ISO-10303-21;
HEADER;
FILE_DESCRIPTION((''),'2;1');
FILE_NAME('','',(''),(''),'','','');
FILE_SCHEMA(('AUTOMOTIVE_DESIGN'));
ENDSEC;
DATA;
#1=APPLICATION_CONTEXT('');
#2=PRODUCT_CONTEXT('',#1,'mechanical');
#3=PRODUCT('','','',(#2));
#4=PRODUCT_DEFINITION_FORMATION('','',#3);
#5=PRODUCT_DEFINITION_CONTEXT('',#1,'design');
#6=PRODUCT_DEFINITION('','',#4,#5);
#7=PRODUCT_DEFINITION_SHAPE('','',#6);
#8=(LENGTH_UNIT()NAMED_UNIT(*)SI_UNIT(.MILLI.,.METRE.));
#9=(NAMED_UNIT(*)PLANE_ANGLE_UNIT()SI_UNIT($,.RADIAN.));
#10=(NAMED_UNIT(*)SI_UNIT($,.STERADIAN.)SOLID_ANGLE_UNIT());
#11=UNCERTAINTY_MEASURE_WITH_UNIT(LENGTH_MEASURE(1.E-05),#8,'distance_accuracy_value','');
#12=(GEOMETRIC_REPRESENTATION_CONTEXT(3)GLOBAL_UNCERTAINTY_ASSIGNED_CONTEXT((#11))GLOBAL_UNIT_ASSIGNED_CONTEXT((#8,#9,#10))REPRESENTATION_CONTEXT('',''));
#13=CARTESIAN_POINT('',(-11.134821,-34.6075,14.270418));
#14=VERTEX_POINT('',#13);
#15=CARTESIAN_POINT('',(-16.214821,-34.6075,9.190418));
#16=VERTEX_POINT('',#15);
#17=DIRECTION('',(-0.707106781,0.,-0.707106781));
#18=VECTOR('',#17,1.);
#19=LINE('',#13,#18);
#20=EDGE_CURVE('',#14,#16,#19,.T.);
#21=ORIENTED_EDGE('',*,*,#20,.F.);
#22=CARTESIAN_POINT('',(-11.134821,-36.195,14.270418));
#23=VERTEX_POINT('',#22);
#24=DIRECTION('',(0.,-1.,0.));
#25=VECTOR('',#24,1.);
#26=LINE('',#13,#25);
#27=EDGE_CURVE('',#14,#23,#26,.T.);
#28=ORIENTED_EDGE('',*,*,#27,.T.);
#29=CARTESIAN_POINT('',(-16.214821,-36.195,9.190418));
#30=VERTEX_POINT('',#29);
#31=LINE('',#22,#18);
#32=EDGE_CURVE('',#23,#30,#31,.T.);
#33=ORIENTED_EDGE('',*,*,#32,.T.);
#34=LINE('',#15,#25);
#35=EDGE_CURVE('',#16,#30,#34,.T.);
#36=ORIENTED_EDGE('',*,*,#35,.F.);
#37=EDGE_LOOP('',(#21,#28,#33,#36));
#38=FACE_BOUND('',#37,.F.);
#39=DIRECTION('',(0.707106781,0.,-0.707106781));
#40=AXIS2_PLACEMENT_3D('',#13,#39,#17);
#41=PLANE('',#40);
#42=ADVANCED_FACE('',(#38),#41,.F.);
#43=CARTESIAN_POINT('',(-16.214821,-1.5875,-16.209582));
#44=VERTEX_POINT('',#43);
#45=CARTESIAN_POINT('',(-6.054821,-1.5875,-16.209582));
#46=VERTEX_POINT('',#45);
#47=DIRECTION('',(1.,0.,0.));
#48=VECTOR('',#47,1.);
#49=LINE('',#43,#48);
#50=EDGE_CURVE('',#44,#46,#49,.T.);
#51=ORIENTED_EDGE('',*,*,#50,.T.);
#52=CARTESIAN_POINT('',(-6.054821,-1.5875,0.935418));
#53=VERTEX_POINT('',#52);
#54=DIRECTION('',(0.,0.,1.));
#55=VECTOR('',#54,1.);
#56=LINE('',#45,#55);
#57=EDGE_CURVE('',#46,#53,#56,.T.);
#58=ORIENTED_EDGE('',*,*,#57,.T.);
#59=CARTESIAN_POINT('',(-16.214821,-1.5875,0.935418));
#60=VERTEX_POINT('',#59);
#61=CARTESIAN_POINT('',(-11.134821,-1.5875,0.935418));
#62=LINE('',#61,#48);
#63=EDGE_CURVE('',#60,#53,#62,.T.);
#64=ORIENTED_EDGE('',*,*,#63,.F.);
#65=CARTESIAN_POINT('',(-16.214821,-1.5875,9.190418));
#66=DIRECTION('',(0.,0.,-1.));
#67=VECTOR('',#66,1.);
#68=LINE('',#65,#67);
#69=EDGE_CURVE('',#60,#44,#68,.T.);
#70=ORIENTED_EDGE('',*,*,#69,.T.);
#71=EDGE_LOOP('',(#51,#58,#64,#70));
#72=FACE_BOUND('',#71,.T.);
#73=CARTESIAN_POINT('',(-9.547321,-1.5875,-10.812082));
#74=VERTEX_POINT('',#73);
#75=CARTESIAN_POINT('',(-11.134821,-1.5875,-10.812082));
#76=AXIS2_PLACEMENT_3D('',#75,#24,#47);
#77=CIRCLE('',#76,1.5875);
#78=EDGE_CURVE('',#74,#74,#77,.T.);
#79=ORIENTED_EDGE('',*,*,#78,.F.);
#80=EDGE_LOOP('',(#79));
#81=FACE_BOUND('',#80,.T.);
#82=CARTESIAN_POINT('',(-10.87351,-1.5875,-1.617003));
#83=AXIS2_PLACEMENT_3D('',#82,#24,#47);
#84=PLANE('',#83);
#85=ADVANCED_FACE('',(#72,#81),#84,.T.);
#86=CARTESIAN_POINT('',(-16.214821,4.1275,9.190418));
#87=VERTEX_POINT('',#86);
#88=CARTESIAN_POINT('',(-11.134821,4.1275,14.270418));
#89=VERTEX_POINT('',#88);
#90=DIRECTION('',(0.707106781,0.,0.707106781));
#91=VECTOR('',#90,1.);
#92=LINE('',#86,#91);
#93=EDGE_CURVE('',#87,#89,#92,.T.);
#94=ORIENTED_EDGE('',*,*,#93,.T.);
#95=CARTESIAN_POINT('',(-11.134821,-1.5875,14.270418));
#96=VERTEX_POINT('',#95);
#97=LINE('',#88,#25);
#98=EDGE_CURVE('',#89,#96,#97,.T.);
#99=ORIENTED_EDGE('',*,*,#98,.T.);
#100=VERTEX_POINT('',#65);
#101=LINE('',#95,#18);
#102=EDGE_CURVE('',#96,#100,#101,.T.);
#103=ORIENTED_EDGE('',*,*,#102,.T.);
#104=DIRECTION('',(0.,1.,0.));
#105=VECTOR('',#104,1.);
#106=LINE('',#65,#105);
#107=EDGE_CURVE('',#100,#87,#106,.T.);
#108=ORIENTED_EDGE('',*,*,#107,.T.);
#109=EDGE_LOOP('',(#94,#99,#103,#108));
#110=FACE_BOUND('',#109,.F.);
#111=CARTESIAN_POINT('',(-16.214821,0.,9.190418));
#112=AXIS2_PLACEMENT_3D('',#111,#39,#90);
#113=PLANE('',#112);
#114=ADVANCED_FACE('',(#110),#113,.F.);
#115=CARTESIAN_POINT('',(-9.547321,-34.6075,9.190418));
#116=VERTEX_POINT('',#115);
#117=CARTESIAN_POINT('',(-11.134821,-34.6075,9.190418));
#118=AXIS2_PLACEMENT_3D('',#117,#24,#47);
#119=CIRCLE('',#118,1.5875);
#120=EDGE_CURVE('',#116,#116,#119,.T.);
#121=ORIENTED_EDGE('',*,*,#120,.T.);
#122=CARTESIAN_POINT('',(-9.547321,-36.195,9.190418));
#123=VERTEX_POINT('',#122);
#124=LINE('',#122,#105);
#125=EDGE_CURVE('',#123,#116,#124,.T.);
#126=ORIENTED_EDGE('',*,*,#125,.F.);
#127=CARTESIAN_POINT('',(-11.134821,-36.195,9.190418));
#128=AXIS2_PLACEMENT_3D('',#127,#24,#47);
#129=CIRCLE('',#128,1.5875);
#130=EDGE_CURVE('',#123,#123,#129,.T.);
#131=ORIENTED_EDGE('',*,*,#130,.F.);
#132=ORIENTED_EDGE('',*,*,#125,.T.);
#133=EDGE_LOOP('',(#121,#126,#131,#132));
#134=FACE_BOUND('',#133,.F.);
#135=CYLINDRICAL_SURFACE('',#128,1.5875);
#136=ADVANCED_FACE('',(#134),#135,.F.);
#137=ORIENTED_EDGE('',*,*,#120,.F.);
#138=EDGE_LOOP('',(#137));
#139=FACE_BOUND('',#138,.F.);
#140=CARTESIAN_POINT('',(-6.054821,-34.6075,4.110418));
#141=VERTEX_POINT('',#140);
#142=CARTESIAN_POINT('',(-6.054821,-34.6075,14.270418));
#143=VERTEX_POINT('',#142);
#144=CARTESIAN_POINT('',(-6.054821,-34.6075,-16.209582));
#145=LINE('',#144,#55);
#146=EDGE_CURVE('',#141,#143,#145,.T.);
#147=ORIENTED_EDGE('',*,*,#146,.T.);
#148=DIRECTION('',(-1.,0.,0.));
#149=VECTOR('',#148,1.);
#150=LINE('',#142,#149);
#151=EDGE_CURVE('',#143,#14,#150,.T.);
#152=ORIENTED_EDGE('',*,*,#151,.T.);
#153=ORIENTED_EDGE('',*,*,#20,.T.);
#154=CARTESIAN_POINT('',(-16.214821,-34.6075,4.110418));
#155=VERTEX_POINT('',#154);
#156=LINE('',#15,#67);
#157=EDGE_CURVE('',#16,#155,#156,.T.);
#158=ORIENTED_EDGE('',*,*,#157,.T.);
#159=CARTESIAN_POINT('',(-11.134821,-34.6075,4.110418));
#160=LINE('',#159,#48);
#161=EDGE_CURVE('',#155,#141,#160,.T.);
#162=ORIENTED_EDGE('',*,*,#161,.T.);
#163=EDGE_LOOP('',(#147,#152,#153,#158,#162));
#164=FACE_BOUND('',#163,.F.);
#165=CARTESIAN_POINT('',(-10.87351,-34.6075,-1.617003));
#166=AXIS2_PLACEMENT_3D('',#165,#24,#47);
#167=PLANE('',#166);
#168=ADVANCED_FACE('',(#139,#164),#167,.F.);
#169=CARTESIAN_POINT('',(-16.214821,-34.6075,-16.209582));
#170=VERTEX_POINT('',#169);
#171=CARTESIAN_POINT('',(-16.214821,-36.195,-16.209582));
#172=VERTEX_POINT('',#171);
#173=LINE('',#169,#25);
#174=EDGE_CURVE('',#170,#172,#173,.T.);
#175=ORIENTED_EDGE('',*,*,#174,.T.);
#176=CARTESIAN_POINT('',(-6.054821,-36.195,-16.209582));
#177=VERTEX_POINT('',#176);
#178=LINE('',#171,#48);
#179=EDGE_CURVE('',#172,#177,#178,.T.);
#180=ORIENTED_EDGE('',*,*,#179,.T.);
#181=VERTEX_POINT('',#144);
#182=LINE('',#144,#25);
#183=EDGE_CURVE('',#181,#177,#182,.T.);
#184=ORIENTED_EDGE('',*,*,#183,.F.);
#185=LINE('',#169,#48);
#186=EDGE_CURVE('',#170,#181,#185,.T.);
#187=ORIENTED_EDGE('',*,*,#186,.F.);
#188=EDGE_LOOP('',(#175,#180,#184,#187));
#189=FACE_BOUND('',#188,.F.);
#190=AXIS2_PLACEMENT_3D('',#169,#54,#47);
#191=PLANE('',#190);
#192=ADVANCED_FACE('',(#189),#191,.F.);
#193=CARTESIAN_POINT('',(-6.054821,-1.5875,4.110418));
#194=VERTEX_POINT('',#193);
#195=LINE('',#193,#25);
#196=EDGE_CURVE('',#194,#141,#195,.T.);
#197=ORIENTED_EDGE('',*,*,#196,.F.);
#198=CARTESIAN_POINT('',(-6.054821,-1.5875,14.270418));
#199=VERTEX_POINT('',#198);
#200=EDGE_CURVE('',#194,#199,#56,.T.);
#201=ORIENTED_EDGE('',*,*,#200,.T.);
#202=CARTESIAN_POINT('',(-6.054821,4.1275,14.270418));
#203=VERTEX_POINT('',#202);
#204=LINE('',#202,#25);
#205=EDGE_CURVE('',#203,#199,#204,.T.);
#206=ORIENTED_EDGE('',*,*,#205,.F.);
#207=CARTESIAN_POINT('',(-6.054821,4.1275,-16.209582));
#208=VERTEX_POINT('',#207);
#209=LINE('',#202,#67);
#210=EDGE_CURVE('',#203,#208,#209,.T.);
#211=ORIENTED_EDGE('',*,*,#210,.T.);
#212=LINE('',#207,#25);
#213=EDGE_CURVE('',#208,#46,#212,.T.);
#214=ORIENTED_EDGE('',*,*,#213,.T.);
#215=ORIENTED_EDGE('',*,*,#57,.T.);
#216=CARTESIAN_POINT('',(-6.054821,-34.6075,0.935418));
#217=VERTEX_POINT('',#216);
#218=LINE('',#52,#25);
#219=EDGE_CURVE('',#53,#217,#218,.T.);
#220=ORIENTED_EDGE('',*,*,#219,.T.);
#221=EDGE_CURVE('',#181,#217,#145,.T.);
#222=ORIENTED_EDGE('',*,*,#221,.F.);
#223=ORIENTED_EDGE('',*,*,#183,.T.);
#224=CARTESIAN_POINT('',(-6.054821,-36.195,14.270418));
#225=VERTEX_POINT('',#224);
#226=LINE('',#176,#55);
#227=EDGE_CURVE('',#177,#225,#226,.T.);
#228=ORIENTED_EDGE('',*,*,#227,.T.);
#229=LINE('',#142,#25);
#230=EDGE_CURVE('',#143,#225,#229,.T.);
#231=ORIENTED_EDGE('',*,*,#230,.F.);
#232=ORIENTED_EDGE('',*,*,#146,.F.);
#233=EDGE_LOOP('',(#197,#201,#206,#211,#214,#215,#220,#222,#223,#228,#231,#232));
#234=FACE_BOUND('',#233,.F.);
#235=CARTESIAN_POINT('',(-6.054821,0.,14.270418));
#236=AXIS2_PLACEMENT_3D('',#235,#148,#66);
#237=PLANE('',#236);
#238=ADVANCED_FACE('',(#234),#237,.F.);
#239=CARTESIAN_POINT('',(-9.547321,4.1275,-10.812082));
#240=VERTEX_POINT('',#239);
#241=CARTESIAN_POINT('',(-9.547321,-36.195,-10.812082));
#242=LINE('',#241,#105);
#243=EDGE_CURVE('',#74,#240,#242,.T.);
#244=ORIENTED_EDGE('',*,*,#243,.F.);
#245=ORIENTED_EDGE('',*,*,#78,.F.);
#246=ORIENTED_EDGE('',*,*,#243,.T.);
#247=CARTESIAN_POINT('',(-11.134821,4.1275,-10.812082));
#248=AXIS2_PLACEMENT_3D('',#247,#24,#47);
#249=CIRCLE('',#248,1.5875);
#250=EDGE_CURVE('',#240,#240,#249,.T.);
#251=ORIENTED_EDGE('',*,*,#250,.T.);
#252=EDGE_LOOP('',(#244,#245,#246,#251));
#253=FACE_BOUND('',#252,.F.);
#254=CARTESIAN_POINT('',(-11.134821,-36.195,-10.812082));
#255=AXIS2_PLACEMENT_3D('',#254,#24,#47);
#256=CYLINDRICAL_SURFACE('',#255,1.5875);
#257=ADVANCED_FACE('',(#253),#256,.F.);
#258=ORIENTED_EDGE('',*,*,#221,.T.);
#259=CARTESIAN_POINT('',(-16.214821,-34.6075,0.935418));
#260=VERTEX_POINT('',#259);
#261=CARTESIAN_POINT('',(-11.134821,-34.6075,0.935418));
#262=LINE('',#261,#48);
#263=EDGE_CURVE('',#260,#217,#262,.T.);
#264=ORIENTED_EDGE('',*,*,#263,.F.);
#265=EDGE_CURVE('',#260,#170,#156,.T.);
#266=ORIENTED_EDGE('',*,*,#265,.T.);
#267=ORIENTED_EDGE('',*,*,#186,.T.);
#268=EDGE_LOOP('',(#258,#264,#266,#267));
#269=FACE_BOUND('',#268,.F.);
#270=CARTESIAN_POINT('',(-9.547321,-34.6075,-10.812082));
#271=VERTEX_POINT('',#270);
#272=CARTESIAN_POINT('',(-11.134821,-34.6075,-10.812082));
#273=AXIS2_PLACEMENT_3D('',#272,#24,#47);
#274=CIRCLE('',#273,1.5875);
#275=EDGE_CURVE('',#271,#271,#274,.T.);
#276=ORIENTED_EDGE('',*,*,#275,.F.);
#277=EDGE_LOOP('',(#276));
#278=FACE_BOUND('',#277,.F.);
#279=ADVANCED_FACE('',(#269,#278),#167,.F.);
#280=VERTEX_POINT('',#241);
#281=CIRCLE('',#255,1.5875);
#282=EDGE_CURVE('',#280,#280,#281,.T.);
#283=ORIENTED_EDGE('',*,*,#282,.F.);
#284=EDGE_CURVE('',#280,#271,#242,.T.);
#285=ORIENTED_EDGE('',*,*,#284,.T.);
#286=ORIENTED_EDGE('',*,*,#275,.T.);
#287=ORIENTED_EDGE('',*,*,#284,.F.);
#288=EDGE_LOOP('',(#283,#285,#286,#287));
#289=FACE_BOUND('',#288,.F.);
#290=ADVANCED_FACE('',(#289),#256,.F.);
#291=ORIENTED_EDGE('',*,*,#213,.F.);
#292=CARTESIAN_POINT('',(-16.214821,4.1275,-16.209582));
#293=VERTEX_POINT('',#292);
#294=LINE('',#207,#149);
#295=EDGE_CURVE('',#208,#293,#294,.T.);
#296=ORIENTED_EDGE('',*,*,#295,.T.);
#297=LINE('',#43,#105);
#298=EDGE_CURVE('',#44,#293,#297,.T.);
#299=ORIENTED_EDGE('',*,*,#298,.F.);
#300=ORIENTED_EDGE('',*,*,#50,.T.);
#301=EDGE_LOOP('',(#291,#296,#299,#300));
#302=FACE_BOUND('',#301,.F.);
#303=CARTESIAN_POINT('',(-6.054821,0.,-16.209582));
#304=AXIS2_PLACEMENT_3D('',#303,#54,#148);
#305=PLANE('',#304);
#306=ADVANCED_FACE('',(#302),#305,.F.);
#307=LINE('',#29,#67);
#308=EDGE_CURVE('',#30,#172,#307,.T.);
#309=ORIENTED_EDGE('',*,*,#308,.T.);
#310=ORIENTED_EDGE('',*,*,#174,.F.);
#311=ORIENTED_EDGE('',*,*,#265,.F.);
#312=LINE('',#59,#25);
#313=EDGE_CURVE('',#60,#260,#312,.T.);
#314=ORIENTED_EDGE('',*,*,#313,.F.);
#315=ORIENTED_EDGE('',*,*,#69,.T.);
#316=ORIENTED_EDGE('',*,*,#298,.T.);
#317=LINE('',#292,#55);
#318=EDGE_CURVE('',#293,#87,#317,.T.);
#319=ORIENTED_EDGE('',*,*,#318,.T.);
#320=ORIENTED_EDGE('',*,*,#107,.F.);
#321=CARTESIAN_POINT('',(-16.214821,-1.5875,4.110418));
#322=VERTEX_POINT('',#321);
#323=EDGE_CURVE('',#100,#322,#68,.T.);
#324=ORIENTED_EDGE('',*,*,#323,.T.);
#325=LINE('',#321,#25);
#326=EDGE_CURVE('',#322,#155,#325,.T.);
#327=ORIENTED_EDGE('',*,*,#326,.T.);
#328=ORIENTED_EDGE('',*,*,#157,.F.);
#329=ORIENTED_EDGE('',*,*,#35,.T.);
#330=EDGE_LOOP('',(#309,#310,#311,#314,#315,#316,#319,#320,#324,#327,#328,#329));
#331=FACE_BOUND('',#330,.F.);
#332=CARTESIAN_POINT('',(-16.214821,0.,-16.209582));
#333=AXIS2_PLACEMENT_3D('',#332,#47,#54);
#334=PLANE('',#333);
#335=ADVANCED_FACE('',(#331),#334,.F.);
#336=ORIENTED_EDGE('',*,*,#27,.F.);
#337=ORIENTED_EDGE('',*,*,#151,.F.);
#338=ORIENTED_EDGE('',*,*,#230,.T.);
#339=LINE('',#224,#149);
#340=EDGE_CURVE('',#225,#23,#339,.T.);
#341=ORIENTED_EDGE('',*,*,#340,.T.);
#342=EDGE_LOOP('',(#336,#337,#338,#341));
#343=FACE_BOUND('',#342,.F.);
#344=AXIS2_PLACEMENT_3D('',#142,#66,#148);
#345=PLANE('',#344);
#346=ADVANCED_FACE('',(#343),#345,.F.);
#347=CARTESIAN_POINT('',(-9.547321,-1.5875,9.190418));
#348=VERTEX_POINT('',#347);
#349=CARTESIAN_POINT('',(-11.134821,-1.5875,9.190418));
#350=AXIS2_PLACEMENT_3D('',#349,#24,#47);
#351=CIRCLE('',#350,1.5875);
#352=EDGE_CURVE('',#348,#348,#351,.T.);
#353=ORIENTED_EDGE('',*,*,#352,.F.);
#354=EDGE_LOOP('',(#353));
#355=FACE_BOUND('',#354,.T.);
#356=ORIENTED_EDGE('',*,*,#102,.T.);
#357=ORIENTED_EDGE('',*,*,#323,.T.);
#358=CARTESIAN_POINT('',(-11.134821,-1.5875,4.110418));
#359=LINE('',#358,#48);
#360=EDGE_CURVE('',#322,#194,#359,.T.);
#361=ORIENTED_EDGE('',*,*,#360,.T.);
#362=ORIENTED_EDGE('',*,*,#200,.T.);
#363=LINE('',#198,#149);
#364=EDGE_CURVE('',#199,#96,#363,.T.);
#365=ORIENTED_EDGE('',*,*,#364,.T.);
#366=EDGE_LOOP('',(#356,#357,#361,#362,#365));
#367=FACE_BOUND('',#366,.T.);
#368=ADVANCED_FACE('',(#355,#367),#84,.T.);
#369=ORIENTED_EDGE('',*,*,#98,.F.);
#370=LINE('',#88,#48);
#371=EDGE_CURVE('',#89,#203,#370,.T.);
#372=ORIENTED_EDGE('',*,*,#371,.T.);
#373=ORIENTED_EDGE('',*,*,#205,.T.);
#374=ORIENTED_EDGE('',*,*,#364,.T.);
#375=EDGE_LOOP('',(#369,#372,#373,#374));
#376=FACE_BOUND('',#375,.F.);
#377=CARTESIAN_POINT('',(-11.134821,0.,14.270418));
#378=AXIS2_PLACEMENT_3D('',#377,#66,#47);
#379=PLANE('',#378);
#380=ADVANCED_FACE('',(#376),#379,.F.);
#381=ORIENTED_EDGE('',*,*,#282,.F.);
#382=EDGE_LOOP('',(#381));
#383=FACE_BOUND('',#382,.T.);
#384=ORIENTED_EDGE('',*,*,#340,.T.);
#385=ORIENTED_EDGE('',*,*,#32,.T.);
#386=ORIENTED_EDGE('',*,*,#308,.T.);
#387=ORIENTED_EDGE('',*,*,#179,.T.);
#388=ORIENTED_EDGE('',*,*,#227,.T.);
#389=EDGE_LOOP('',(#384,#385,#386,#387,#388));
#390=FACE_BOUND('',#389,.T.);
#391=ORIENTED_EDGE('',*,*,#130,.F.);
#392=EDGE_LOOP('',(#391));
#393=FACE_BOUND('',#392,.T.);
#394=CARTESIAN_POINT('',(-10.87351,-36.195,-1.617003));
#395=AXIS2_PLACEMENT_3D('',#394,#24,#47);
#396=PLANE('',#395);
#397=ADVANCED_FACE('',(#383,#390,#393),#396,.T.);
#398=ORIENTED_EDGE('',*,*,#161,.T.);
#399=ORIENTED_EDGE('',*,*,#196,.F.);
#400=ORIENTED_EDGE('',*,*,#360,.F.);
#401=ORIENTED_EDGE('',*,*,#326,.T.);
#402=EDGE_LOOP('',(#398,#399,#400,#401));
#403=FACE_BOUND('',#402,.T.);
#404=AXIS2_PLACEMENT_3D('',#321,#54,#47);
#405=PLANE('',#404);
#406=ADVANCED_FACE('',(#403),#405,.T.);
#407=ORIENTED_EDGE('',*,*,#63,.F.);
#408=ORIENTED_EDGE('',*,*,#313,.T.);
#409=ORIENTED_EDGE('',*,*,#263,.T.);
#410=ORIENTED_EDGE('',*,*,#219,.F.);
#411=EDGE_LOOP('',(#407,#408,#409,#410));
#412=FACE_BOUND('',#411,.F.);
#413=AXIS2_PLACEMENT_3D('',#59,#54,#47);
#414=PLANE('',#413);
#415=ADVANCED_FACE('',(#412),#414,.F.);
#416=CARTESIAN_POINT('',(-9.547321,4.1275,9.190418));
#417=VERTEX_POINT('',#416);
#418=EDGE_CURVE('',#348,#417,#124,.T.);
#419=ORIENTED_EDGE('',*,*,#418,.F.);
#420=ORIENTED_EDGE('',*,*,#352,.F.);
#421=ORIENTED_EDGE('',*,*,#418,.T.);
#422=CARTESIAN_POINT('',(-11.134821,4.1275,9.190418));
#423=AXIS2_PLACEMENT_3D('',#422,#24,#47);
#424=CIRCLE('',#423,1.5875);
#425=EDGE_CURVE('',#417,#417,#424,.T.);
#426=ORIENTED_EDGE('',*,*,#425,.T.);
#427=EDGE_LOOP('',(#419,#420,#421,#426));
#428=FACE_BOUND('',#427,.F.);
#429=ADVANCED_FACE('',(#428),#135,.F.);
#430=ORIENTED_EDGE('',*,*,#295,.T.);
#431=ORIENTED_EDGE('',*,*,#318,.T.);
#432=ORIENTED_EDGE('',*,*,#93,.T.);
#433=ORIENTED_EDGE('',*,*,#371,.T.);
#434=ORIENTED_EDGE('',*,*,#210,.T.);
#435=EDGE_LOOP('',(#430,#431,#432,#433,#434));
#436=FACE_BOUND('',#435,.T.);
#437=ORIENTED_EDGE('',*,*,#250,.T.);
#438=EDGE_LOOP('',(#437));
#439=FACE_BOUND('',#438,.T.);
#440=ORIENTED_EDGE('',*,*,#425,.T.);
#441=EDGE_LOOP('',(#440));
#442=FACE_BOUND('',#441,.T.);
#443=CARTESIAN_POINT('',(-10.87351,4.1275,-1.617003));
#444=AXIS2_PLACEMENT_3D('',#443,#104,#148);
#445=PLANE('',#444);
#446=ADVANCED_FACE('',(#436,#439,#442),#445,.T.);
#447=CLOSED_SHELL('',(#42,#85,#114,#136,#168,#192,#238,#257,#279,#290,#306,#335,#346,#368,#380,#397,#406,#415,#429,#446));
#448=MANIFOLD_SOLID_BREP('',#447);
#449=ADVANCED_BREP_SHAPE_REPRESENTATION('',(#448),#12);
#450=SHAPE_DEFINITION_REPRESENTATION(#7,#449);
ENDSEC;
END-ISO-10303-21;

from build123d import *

# Parameters (mm, degrees)
F1_DEPTH  = 1.5875
F2_W      = 10.16
F2_H      = 3.175
F3_DEPTH  = 33.02
F5_DEPTH  = 1.5875
F7_DEPTH  = 4.1275
F8_R      = 1.5875
F9_DEPTH  = 50.8
F10_R     = 1.5875
F11_DEPTH = 50.8


with BuildPart() as f1:
    # F0 (on Front) → F1 (new body)
    with BuildSketch(Plane.XZ):
        Polygon((-11.134821, 14.270418), (-16.214821, 9.190418), (-16.214821, -16.209582), (-6.054821, -16.209582), (-6.054821, 14.270418), align=None)
    extrude(amount=F1_DEPTH)

    # F2 (on face) → F3 (join)
    with BuildSketch(Plane.XZ.offset(1.5875)):
        with Locations((-11.134821, 2.522918)):
            Rectangle(F2_W, F2_H)
    extrude(amount=F3_DEPTH)

    # F4 (on face) → F5 (join)
    with BuildSketch(Plane.XZ.offset(34.6075)):
        Polygon((-16.214821, 9.190418), (-16.214821, 4.110418), (-16.214821, 0.935418), (-16.214821, -16.209582), (-6.054821, -16.209582), (-6.054821, 0.935418), (-6.054821, 4.110418), (-6.054821, 14.270418), (-11.134821, 14.270418), align=None)
    extrude(amount=F5_DEPTH)

    # F6 (on face) → F7 (join)
    with BuildSketch(Plane(origin=(0, 0, 0), x_dir=(-1, 0, 0), z_dir=(0, 1, 0))):
        Polygon((6.054821, -16.209582), (16.214821, -16.209582), (16.214821, 9.190418), (11.134821, 14.270418), (6.054821, 14.270418), align=None)
    extrude(amount=F7_DEPTH)

    # F8 (on face) → F9 (cut)
    with BuildSketch(Plane.XZ.offset(36.195)):
        with Locations((-11.134821, -10.812082)):
            Circle(F8_R)
    extrude(amount=-F9_DEPTH, mode=Mode.SUBTRACT)

    # F10 (on face) → F11 (cut)
    with BuildSketch(Plane.XZ.offset(36.195)):
        with Locations((-11.134821, 9.190418)):
            Circle(F10_R)
    extrude(amount=-F11_DEPTH, mode=Mode.SUBTRACT)


solid = f1.part
